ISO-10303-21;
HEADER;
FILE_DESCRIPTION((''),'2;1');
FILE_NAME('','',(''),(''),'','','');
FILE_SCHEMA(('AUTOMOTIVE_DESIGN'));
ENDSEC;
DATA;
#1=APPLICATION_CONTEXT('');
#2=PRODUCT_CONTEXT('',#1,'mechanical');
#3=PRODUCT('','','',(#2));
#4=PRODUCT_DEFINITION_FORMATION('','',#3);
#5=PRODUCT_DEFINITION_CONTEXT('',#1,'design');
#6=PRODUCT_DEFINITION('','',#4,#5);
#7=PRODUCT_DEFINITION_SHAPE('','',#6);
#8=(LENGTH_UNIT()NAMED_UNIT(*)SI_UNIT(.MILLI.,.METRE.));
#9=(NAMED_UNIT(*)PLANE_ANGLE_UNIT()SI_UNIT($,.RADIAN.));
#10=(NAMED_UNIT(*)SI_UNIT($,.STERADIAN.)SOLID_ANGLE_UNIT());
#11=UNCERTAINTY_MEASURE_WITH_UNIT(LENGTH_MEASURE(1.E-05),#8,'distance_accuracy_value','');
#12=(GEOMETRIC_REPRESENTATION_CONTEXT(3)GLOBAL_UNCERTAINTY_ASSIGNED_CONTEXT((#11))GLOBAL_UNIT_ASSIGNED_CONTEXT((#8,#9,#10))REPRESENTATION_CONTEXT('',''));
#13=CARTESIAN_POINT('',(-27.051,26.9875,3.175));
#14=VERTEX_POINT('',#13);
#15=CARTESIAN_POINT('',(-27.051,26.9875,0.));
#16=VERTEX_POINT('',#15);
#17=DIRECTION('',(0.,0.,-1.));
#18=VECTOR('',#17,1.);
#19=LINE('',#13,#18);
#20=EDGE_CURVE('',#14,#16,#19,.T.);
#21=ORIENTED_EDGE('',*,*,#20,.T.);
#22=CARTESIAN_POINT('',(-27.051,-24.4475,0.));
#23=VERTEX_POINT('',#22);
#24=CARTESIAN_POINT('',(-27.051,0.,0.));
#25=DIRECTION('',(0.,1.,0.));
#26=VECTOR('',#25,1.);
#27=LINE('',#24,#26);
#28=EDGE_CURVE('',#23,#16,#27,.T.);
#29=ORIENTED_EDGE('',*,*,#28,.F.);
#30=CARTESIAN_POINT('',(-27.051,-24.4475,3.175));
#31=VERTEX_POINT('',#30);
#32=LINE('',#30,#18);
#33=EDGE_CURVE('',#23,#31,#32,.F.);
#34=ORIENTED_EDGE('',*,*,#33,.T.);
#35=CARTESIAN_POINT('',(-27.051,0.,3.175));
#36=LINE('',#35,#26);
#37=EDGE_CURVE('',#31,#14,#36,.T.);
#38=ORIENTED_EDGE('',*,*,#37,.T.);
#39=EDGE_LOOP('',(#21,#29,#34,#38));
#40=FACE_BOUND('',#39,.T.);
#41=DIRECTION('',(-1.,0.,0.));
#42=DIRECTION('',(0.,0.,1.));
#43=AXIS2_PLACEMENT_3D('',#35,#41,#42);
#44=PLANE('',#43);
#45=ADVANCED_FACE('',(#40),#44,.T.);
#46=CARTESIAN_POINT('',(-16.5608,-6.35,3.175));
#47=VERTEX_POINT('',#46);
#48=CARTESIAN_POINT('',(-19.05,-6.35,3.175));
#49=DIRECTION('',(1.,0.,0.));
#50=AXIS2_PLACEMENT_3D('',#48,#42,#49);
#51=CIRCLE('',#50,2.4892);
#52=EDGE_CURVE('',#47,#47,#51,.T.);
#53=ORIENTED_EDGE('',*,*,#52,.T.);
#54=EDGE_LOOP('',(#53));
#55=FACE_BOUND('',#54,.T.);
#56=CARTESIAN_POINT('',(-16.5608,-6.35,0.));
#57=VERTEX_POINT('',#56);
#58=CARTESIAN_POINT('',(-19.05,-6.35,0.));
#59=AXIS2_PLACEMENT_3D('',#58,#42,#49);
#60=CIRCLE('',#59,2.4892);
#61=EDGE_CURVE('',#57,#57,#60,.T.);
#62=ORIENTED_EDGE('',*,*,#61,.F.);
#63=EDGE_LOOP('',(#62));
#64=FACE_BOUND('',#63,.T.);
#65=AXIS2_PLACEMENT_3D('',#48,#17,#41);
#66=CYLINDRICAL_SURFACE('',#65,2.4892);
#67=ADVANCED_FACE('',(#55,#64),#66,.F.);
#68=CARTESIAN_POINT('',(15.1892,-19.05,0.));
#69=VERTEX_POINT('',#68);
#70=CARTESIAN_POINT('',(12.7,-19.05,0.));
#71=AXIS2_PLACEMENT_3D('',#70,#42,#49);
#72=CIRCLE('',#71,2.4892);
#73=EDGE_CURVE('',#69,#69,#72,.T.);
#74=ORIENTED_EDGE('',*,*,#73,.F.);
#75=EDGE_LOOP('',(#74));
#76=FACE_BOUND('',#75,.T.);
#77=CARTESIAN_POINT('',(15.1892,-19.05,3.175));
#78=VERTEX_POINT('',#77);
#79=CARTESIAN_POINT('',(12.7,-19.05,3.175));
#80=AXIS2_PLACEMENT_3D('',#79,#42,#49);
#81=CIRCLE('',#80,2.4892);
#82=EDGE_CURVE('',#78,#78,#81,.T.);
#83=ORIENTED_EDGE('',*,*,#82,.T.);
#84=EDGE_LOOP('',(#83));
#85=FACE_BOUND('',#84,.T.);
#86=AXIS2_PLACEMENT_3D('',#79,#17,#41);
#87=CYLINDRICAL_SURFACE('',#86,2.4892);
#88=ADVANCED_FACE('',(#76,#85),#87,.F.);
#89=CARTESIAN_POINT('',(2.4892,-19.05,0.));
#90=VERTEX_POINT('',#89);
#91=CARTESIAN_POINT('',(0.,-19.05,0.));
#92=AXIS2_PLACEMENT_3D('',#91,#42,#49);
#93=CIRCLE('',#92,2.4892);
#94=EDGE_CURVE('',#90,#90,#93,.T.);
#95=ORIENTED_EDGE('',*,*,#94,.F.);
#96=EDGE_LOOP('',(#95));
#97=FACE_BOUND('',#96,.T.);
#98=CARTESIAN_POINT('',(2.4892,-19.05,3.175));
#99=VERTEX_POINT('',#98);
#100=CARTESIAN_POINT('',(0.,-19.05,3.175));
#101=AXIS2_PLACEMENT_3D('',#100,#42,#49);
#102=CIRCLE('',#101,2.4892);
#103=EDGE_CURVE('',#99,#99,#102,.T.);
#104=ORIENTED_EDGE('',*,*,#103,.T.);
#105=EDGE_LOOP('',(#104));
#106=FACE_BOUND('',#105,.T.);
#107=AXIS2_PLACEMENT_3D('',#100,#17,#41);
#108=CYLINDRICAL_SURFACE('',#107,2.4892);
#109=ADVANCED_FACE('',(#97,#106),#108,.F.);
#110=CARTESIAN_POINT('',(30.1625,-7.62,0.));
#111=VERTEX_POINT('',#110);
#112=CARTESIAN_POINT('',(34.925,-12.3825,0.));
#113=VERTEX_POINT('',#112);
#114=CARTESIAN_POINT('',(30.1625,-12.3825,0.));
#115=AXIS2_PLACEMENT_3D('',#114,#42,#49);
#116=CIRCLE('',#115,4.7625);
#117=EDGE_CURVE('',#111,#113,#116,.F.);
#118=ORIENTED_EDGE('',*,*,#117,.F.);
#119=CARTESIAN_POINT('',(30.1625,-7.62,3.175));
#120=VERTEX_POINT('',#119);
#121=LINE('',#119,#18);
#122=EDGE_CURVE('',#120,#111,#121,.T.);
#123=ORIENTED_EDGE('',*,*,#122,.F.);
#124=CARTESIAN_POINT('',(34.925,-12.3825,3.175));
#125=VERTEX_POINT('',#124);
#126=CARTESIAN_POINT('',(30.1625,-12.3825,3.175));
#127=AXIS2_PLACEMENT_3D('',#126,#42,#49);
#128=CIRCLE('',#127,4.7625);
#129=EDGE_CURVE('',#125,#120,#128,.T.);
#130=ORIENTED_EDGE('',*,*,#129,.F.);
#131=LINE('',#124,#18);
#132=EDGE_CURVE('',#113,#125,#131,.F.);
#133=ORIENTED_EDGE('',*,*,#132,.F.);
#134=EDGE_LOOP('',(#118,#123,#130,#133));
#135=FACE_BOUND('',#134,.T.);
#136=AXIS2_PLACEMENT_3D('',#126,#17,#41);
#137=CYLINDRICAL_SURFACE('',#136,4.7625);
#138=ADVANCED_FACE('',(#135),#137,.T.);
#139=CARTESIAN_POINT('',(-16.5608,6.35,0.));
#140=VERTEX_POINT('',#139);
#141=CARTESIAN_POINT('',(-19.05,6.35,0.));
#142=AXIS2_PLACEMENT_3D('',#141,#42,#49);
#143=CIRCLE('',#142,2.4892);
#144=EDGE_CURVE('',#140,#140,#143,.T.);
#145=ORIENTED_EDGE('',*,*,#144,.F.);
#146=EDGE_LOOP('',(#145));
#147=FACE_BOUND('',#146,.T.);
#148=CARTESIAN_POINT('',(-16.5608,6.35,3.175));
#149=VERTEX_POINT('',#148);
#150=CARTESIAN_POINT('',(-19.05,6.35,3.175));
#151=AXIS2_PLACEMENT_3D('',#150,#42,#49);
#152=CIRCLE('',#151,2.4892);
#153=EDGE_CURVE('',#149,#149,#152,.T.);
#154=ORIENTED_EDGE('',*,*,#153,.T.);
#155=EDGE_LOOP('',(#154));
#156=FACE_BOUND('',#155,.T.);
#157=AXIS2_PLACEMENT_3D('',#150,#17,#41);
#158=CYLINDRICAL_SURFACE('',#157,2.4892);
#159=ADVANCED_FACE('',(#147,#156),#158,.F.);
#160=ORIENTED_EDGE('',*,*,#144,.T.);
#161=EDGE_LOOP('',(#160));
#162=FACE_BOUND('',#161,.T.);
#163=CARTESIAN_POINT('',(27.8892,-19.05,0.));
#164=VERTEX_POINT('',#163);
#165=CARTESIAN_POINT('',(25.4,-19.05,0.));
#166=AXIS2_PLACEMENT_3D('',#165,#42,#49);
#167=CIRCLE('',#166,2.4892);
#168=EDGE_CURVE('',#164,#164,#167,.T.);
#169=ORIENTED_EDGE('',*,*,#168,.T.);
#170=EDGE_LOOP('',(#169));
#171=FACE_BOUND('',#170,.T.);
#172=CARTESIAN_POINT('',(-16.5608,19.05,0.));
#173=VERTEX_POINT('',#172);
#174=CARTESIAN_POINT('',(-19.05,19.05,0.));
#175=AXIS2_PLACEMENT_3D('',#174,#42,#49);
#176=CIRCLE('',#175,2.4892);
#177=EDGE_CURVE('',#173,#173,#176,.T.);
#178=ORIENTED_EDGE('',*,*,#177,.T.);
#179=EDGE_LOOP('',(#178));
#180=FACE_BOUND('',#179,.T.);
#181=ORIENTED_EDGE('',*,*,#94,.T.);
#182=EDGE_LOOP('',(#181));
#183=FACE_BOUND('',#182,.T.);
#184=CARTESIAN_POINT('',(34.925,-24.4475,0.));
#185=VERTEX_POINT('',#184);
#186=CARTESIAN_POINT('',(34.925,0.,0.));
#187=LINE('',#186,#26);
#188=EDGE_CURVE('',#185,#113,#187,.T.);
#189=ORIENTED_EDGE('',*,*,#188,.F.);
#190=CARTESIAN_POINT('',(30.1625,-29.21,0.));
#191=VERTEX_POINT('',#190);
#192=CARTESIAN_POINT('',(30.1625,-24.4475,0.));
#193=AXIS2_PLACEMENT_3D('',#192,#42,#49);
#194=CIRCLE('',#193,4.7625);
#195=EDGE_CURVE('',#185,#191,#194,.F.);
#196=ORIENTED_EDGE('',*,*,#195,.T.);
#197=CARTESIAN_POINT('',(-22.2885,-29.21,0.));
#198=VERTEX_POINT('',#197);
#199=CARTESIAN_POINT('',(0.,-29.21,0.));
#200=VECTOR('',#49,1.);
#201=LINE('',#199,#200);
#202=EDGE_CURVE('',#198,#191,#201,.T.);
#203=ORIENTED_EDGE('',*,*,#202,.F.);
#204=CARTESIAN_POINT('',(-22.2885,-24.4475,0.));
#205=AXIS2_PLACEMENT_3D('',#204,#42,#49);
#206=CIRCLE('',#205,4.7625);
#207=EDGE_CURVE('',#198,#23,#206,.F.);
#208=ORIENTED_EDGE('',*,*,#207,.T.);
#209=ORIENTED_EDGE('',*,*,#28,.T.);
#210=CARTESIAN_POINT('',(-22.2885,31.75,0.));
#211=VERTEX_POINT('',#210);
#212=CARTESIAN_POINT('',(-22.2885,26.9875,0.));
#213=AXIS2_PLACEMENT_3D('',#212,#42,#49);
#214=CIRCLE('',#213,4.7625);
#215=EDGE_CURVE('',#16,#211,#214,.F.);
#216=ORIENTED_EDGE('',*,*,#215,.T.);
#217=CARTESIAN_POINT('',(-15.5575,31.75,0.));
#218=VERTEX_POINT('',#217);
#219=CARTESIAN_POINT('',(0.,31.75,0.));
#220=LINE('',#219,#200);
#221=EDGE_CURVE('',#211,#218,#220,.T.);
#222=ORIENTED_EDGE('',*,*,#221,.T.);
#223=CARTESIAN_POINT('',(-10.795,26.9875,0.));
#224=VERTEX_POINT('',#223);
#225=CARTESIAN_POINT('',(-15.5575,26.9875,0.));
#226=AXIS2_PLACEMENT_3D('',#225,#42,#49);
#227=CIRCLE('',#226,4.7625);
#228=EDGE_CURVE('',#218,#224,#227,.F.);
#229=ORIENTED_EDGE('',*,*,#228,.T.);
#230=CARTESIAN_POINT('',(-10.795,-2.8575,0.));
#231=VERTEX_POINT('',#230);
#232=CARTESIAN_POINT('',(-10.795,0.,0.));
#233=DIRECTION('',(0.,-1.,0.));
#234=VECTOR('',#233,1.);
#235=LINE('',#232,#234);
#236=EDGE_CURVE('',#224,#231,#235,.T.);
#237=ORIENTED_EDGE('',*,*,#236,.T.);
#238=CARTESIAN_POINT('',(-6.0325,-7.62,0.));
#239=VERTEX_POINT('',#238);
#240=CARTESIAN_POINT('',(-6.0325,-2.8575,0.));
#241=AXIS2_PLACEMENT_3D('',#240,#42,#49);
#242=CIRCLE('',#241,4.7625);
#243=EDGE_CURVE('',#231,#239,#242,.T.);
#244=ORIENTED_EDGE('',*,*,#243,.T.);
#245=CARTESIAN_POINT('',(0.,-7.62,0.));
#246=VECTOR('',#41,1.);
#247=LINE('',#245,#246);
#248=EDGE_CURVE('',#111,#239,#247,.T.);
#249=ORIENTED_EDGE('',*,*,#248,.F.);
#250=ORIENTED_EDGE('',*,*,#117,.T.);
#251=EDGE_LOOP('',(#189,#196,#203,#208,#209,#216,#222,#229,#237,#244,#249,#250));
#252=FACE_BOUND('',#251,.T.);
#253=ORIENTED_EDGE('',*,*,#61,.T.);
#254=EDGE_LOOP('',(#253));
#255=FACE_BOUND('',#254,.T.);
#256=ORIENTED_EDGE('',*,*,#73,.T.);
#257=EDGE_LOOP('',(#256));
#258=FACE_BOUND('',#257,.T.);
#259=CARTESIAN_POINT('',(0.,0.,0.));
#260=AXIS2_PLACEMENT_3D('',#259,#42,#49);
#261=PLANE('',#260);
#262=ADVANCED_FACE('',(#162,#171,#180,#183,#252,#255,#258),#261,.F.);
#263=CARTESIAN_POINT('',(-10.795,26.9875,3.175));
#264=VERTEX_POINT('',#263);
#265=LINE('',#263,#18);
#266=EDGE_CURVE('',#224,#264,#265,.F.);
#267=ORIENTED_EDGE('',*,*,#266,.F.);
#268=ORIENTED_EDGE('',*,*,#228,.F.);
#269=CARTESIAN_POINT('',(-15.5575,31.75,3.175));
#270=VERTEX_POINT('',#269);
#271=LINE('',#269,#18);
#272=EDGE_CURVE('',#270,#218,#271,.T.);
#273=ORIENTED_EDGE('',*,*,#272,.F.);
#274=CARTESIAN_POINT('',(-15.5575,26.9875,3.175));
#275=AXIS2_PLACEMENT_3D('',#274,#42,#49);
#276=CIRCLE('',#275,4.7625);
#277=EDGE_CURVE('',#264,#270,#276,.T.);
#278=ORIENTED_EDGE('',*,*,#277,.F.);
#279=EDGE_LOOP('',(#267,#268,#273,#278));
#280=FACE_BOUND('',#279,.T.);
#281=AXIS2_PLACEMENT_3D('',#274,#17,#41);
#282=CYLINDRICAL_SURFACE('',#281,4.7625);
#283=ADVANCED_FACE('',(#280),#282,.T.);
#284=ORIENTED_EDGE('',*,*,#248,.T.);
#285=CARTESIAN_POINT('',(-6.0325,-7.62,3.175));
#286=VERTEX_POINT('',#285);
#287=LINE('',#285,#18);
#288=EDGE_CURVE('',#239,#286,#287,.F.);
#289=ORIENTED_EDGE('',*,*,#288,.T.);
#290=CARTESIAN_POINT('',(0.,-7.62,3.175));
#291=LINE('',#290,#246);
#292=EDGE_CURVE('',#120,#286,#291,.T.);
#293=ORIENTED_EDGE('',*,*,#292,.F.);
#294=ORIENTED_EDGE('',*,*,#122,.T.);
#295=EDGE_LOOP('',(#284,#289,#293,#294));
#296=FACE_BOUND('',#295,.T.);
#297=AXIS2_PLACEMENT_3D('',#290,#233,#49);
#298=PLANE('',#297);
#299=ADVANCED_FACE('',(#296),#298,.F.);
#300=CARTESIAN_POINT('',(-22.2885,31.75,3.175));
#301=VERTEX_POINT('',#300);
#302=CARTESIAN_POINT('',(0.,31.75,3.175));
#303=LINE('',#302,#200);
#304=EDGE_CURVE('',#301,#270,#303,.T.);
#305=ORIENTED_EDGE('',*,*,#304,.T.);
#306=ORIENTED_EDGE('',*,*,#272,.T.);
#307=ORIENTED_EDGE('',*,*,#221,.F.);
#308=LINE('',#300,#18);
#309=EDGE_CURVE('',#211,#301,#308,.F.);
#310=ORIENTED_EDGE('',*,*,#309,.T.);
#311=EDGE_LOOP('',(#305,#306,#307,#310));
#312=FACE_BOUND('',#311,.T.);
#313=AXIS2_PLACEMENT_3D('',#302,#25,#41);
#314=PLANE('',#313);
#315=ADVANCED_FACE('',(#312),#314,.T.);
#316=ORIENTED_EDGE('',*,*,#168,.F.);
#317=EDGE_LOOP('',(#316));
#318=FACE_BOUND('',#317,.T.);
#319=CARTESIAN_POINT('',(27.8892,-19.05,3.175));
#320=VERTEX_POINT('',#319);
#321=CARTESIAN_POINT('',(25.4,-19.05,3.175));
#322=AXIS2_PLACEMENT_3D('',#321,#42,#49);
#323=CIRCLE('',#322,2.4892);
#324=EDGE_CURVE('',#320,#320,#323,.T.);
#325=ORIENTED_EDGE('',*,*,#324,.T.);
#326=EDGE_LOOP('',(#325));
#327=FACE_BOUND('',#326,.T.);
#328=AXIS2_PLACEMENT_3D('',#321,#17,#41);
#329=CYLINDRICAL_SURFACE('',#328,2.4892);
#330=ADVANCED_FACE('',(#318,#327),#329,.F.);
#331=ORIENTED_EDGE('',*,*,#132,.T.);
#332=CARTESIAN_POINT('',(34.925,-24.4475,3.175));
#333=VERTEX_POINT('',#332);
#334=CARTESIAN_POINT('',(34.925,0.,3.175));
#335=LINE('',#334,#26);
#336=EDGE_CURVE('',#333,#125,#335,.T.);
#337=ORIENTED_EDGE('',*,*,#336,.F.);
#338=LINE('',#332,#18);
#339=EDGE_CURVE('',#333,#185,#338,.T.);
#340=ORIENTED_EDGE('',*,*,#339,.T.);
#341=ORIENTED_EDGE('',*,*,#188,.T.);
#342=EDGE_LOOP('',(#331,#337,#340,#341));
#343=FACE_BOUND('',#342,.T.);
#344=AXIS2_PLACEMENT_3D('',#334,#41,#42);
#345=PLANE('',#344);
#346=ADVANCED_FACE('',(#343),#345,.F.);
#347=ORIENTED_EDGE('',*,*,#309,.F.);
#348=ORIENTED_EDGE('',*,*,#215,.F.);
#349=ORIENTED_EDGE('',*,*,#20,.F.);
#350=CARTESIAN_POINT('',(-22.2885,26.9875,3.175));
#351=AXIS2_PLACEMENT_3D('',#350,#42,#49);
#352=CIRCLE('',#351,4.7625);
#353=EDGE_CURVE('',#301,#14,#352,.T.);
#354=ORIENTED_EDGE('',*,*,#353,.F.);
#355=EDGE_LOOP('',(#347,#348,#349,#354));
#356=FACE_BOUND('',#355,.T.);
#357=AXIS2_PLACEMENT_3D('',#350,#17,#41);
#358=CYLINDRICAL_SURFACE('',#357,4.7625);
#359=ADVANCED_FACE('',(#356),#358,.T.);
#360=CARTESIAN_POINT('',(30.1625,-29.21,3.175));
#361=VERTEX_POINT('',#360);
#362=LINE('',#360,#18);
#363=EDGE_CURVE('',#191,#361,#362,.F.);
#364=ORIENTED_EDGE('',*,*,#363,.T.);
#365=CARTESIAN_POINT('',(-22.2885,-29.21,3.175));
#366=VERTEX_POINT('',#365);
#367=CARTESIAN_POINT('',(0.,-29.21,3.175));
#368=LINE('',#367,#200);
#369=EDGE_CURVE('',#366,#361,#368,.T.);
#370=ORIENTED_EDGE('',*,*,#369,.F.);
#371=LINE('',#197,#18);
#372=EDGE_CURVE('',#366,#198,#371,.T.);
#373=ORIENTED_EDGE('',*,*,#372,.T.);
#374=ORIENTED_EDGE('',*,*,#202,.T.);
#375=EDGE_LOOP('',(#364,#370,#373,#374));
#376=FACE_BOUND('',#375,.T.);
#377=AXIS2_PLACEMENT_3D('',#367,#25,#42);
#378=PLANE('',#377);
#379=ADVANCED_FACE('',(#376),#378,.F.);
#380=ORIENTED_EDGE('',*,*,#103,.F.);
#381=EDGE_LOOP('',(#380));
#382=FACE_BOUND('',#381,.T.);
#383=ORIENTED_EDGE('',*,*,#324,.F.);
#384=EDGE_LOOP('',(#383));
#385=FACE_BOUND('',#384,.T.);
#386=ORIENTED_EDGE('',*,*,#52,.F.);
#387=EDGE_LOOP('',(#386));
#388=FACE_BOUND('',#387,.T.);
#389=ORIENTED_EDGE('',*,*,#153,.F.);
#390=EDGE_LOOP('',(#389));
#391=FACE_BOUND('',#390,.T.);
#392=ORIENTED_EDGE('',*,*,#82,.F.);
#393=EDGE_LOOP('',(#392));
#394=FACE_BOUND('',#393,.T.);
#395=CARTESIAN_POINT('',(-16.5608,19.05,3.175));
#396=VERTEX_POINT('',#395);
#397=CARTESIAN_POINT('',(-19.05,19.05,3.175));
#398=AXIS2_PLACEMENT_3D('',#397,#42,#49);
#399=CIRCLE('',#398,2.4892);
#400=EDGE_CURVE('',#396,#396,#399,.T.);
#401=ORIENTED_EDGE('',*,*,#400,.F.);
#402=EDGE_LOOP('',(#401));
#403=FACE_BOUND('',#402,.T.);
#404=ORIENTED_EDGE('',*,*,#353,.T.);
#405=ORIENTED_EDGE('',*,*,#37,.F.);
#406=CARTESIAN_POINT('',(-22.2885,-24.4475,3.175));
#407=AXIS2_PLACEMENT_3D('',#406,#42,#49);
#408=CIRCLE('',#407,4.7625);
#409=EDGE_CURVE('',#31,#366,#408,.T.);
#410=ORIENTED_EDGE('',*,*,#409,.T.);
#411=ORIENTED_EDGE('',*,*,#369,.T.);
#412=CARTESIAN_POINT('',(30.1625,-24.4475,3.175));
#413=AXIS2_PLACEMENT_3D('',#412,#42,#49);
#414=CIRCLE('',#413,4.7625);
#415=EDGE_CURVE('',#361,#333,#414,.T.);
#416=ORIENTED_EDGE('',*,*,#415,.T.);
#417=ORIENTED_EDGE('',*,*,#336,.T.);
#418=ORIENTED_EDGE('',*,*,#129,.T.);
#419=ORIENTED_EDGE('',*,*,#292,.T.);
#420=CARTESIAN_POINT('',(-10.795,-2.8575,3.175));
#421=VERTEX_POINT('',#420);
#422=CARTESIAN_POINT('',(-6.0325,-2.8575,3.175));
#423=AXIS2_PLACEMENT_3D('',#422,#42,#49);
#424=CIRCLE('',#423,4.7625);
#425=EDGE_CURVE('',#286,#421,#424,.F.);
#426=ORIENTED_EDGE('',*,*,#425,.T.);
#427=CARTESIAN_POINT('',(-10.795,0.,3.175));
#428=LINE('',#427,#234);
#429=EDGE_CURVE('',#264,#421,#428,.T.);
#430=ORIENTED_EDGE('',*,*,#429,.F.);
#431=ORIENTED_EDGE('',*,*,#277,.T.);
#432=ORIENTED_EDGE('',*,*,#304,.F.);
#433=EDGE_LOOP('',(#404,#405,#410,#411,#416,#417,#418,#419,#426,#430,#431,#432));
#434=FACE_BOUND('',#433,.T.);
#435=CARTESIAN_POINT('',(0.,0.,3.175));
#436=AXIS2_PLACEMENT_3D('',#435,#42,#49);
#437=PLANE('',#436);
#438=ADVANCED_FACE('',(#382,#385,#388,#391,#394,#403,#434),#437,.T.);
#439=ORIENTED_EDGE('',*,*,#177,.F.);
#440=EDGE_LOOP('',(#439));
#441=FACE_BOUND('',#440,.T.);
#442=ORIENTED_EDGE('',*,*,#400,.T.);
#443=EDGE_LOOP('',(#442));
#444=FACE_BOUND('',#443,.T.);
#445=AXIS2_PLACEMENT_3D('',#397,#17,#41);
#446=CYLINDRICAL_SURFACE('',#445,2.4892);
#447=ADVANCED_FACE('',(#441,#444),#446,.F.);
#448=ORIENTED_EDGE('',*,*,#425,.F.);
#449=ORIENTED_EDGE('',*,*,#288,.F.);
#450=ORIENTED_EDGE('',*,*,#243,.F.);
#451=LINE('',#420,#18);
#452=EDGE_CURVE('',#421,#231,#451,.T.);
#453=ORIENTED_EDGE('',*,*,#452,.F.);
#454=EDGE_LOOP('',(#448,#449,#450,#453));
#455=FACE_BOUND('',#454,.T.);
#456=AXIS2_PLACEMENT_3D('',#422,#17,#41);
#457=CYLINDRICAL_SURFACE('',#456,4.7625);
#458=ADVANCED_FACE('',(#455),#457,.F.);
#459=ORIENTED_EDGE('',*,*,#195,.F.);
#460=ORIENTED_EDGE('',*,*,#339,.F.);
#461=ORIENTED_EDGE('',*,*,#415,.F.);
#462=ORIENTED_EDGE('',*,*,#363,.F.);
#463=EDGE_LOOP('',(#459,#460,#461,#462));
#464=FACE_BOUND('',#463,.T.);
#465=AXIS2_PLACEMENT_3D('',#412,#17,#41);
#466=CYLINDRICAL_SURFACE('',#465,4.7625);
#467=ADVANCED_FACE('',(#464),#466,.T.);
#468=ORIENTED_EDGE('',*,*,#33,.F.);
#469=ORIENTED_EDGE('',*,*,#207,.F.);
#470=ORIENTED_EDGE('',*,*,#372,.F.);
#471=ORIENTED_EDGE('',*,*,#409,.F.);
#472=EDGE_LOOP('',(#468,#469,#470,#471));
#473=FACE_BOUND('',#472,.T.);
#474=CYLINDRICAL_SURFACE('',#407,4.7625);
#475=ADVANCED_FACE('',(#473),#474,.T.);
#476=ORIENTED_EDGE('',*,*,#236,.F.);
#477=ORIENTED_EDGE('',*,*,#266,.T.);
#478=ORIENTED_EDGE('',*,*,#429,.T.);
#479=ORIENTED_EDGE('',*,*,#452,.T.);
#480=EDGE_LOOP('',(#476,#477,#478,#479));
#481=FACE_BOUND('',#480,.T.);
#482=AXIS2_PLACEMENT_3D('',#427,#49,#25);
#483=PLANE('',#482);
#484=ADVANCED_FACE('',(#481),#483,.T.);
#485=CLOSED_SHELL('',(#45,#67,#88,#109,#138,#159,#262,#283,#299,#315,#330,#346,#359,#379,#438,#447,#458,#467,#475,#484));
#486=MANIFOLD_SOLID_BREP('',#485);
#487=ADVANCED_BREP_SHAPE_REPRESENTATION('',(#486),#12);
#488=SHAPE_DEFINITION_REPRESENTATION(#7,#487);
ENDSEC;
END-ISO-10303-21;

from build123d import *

# Parameters (mm, degrees)
SKETCH1_R           = 2.4892
BOSS_EXTRUDE1_DEPTH = 3.175
FILLET1_R           = 4.7625


with BuildPart() as part:
    # Sketch1 → Boss-Extrude1 (new body)
    with BuildSketch(Plane.XY):
        Polygon((-27.051, 31.75), (-27.051, -29.21), (34.925, -29.21), (34.925, -7.62), (-10.795, -7.62), (-10.795, 31.75), align=None)
        with Locations((-19.05, -19.05)):
            Circle(SKETCH1_R, mode=Mode.SUBTRACT)
        with Locations((-19.05, -6.35)):
            Circle(SKETCH1_R, mode=Mode.SUBTRACT)
        with Locations((0, -19.05)):
            Circle(SKETCH1_R, mode=Mode.SUBTRACT)
        with Locations((12.7, -19.05)):
            Circle(SKETCH1_R, mode=Mode.SUBTRACT)
        with Locations((25.4, -19.05)):
            Circle(SKETCH1_R, mode=Mode.SUBTRACT)
        with Locations((-19.05, 6.35)):
            Circle(SKETCH1_R, mode=Mode.SUBTRACT)
        with Locations((-19.05, 19.05)):
            Circle(SKETCH1_R, mode=Mode.SUBTRACT)
        with Locations((-19.05, -19.05)):
            Circle(SKETCH1_R)
    extrude(amount=BOSS_EXTRUDE1_DEPTH)

    # Fillet1
    fillet1_edges = [part.edges().sort_by_distance(p)[0] for p in [
        (-27.051, 31.75, 1.5875),
        (-10.795, 31.75, 1.5875),
        (-10.795, -7.62, 1.5875),
        (34.925, -7.62, 1.5875),
        (34.925, -29.21, 1.5875),
        (-27.051, -29.21, 1.5875),
    ]]
    fillet(fillet1_edges, radius=FILLET1_R)


solid = part.part
